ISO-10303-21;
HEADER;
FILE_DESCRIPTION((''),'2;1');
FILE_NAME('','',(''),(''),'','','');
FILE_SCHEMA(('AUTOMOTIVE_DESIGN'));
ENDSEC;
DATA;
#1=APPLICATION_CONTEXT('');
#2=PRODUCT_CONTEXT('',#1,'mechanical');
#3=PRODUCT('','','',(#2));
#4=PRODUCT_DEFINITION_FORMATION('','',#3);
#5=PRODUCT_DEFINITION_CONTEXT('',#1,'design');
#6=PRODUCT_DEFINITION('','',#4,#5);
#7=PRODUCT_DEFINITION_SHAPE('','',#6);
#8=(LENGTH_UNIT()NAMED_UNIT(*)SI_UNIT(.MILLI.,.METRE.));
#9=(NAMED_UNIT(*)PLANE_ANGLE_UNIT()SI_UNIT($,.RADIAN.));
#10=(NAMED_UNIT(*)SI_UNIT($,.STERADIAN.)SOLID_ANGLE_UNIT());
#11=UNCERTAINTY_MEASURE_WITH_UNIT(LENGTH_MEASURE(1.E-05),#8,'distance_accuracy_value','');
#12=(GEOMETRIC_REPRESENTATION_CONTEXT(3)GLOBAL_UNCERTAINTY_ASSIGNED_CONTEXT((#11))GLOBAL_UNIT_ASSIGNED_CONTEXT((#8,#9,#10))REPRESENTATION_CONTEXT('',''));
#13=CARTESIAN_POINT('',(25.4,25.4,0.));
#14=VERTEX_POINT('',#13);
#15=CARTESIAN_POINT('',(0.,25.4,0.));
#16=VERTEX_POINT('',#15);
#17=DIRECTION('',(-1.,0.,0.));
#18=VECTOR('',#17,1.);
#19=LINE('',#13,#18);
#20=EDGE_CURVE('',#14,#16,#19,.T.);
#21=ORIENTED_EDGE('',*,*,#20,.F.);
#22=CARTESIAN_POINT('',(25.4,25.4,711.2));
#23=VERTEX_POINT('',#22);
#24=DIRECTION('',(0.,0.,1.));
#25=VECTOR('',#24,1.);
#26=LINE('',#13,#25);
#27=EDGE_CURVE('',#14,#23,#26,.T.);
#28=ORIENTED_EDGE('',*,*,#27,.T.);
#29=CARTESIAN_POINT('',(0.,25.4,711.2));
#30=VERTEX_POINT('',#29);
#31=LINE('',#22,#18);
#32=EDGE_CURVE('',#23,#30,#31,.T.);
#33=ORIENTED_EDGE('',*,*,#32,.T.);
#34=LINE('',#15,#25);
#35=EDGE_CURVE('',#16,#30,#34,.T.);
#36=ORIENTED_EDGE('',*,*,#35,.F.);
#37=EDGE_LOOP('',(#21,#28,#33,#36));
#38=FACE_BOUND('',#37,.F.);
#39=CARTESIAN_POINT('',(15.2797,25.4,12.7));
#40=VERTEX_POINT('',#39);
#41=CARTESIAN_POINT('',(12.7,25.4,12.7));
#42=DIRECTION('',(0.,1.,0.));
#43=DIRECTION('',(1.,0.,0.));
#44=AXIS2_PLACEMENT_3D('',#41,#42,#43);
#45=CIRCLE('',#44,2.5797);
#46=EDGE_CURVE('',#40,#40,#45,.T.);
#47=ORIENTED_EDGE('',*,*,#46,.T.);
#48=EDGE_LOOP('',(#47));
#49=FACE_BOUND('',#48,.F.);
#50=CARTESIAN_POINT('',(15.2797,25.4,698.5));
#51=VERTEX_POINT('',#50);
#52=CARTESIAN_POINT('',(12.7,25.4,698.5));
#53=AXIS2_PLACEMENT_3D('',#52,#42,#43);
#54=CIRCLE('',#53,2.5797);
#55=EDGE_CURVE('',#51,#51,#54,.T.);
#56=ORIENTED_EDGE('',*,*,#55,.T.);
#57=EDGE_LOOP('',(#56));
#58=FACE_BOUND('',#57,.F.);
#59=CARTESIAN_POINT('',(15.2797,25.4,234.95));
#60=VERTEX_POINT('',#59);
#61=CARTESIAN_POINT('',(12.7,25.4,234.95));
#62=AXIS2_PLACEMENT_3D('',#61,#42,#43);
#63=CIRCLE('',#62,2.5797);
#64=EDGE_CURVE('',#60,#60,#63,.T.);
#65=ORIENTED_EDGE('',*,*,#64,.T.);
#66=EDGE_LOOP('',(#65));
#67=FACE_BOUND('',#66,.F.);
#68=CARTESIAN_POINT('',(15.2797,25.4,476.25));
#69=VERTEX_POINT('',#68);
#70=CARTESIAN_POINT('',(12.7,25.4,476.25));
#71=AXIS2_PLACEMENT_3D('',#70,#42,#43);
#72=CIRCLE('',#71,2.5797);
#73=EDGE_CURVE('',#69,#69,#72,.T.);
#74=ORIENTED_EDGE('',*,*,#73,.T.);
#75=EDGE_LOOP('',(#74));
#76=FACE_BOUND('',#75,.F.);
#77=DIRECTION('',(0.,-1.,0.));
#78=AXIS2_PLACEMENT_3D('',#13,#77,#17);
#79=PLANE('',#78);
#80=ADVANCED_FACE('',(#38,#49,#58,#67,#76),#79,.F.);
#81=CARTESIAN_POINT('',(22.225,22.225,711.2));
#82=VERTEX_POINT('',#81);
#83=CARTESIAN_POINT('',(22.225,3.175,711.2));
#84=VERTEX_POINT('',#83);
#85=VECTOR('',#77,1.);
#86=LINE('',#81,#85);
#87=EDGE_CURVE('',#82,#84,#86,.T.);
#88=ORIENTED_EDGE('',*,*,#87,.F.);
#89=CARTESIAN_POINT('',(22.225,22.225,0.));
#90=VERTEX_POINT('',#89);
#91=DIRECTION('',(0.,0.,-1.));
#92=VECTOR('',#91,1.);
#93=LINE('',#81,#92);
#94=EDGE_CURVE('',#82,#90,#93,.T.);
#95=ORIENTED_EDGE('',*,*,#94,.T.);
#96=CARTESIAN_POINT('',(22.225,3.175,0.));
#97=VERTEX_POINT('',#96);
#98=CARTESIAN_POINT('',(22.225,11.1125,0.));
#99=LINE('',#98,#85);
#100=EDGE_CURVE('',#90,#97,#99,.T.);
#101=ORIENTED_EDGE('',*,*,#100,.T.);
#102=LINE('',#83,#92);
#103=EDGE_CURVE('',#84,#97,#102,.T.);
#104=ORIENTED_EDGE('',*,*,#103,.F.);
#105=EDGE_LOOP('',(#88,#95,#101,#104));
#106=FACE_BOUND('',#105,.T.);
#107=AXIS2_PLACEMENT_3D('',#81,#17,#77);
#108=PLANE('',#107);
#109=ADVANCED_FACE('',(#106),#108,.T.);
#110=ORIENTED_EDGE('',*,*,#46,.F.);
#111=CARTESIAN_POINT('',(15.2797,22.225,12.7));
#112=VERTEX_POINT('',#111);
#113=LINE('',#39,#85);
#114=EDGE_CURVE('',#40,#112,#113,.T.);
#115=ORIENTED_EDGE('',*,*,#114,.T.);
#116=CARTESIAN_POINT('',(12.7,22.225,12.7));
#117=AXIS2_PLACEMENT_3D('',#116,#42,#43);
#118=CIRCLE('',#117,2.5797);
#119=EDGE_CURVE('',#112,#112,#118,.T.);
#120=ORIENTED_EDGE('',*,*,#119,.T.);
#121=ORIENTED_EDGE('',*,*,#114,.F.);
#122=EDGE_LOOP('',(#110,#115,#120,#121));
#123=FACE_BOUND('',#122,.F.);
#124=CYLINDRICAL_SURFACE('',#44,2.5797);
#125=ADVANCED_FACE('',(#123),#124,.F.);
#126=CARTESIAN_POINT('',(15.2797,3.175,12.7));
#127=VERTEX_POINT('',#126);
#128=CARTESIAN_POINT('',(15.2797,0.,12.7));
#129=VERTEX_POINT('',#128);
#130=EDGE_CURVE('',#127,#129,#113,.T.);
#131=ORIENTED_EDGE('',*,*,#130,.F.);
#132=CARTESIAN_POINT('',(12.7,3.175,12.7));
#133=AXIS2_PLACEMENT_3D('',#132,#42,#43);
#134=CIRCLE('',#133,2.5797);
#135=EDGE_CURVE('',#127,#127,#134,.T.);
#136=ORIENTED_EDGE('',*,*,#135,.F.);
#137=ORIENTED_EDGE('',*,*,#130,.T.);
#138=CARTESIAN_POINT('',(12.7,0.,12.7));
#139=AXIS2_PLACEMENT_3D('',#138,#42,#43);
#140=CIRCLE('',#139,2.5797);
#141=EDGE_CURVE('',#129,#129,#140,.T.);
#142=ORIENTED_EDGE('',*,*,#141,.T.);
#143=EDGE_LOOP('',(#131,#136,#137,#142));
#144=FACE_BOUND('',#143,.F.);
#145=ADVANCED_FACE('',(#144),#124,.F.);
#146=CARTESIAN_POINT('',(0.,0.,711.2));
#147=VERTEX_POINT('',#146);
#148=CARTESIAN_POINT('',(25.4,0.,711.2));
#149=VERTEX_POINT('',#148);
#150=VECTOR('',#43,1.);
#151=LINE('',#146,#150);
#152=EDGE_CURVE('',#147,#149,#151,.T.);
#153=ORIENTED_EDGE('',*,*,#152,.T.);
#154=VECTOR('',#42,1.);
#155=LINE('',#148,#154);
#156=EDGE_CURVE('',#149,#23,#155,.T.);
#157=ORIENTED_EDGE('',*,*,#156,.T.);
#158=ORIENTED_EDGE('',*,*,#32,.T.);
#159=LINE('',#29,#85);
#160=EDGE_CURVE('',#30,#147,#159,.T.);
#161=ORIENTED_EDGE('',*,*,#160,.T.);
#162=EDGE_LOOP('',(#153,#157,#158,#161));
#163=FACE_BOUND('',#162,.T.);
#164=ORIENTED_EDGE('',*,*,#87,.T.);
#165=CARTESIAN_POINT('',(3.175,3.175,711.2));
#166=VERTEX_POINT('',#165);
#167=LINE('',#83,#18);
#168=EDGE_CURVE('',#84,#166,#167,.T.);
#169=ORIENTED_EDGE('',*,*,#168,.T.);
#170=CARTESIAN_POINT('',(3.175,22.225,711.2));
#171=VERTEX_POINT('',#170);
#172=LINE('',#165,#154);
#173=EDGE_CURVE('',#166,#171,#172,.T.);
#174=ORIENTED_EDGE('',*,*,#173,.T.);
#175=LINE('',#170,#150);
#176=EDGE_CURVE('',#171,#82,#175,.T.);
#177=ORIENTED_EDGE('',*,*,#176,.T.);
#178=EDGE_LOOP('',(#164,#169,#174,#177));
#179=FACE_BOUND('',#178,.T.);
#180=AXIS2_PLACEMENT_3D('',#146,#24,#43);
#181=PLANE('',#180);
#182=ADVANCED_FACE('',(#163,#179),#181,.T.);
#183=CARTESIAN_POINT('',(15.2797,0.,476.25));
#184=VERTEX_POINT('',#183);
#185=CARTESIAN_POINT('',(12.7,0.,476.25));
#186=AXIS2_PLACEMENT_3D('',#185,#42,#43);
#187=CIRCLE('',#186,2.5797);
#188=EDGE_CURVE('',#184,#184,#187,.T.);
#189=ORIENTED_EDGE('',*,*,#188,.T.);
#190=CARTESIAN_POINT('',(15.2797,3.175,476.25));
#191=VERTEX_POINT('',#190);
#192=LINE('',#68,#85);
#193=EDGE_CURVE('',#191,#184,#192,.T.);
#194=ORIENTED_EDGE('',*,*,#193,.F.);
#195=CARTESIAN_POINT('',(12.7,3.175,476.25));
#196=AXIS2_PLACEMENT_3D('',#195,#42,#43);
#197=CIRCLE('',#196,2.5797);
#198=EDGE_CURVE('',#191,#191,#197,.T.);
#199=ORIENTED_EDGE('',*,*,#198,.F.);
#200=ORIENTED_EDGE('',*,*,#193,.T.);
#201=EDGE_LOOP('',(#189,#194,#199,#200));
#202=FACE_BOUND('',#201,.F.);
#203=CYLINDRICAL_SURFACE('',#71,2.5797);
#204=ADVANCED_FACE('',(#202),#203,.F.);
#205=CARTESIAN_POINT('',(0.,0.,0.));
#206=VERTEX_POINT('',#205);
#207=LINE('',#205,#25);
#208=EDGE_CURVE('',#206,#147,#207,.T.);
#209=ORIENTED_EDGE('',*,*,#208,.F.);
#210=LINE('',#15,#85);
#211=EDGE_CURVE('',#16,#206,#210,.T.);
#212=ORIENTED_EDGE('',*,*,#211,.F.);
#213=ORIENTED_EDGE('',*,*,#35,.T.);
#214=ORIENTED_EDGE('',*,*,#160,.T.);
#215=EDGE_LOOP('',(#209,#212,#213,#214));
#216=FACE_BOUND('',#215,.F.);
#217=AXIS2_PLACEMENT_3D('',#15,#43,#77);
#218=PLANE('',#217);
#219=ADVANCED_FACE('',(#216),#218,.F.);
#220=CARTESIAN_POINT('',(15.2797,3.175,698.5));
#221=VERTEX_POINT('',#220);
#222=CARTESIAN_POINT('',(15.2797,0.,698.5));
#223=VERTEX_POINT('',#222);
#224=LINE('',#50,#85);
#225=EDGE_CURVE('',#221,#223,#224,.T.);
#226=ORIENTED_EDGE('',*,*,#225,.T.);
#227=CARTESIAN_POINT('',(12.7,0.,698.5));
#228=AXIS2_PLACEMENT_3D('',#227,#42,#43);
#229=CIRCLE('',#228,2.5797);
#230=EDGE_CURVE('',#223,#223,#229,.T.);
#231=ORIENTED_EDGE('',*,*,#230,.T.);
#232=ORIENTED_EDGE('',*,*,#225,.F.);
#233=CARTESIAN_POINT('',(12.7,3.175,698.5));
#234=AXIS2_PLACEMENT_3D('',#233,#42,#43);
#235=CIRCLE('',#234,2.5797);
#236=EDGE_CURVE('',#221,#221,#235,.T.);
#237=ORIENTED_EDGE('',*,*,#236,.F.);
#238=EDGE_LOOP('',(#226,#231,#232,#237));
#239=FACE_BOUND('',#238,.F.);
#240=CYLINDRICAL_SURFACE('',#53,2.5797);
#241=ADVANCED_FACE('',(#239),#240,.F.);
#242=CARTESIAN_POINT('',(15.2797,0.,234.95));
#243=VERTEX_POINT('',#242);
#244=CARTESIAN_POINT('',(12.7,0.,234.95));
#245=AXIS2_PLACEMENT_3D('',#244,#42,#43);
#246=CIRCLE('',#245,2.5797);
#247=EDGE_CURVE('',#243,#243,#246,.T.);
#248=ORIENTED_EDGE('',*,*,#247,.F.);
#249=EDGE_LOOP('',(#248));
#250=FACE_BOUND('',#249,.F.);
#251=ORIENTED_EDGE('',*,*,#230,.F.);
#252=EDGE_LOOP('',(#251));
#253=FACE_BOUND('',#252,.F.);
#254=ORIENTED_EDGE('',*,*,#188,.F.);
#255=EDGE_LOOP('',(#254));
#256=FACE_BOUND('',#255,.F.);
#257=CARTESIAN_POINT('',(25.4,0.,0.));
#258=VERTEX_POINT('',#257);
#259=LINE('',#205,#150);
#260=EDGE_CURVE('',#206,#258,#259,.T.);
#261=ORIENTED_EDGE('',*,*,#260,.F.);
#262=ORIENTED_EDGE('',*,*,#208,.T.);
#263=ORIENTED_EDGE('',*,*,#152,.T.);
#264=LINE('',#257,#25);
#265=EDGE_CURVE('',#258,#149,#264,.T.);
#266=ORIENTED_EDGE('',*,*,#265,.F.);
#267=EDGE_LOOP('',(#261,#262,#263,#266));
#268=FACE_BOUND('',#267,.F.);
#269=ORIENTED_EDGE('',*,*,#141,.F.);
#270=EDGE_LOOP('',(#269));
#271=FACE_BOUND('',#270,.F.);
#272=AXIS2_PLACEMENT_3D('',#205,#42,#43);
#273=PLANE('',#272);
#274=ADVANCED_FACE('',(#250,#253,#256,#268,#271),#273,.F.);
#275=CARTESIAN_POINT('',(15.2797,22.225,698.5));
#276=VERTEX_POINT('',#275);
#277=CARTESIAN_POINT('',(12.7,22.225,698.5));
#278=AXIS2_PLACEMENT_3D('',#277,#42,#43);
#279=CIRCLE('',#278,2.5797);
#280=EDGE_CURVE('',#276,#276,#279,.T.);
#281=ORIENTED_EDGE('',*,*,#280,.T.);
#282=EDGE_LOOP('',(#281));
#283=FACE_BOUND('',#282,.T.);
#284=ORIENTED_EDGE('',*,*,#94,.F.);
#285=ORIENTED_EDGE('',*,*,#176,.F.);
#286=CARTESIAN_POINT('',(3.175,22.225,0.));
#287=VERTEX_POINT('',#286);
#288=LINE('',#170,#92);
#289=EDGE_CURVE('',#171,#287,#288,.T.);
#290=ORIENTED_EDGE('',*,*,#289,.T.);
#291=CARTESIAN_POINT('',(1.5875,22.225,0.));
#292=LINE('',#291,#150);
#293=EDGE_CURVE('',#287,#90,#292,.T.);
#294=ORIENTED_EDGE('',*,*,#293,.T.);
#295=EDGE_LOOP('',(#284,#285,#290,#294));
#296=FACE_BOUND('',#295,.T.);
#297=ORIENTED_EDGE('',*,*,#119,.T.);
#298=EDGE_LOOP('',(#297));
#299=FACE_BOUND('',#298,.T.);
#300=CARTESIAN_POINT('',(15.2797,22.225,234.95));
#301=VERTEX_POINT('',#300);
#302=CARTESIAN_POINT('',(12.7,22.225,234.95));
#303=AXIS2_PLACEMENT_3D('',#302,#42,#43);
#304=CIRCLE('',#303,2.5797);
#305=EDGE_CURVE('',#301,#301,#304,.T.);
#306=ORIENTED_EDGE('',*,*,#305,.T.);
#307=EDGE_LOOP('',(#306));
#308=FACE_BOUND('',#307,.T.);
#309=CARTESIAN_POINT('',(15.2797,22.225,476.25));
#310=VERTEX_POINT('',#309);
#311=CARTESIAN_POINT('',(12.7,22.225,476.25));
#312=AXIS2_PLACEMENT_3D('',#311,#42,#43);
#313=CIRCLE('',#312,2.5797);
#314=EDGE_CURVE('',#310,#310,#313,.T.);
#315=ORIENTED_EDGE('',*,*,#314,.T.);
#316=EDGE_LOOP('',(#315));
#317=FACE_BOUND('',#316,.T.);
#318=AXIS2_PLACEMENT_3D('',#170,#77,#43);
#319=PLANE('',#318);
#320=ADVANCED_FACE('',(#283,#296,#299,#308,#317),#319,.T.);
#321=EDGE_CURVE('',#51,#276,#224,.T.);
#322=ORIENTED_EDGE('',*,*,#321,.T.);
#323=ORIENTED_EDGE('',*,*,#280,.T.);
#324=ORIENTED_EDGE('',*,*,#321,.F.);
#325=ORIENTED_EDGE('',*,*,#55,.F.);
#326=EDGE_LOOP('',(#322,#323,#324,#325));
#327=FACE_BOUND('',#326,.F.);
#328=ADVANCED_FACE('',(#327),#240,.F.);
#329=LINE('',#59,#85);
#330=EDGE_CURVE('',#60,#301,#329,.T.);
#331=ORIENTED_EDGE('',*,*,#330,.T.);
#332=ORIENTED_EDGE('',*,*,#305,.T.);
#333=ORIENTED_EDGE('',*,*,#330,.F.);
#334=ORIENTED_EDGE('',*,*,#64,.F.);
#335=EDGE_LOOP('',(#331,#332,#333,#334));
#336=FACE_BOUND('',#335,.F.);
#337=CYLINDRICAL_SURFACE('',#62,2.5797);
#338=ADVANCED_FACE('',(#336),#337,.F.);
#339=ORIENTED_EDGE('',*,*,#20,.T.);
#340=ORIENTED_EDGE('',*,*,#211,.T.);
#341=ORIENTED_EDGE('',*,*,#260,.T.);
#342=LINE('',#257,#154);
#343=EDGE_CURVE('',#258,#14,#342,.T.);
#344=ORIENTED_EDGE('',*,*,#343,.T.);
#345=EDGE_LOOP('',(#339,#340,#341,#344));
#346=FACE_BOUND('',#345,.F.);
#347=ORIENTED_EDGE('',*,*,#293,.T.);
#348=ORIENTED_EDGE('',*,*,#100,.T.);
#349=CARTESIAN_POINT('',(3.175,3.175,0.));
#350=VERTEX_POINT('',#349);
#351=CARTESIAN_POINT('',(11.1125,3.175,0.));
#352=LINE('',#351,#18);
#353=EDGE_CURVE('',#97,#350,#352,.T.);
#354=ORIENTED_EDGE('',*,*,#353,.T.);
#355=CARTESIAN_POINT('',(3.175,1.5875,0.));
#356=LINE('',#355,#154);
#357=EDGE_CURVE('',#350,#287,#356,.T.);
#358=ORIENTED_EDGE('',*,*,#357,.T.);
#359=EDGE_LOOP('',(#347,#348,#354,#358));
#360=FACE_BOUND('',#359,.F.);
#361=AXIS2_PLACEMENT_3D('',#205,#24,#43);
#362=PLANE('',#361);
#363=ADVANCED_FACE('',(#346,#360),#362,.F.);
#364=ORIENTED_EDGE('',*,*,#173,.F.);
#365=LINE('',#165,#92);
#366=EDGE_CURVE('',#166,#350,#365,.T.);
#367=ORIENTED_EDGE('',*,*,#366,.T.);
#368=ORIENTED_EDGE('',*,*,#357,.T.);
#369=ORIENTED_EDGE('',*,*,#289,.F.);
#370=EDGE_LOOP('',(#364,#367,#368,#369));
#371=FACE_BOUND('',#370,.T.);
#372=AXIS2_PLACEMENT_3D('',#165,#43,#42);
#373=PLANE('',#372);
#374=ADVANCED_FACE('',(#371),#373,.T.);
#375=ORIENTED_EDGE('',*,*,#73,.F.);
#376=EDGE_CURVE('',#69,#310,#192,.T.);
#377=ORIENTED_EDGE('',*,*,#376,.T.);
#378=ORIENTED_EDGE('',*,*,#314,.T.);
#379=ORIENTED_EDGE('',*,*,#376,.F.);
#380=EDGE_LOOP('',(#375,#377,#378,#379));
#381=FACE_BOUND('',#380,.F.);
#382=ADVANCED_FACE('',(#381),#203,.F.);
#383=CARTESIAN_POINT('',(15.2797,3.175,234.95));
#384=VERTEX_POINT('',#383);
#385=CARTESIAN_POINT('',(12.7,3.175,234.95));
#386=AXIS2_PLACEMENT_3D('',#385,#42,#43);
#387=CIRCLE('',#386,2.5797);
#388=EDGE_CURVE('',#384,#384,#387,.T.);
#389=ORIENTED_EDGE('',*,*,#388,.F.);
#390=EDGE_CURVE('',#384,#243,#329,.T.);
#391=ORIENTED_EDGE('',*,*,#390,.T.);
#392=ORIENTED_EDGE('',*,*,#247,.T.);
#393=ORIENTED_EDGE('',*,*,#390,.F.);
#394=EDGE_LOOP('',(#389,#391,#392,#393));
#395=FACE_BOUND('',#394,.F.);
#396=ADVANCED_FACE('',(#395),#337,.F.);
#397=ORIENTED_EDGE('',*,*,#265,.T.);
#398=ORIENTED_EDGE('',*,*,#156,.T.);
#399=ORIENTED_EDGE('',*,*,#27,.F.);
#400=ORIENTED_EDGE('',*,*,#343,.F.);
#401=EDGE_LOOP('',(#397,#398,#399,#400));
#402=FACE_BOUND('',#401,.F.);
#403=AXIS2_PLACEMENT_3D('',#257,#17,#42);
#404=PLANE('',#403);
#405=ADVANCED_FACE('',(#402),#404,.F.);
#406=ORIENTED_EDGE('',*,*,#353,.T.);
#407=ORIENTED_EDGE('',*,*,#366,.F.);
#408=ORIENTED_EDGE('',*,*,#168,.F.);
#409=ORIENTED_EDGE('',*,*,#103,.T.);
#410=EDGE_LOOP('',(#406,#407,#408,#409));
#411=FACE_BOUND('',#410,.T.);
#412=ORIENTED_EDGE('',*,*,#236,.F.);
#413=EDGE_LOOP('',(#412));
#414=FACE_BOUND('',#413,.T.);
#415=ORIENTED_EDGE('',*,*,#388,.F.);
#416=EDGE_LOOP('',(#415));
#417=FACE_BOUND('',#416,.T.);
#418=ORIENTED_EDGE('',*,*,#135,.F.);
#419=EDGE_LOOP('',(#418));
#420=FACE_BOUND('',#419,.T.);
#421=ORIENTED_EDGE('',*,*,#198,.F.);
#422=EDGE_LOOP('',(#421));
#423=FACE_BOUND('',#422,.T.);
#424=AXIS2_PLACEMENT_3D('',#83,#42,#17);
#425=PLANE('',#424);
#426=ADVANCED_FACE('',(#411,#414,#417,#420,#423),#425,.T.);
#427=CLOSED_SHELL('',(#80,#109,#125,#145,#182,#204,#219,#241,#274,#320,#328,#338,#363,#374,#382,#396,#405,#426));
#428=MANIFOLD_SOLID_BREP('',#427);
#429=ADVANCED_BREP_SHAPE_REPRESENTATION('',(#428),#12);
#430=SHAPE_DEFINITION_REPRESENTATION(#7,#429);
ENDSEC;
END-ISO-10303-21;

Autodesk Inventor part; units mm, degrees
ref_plane "YZ Plane" through (0, 0, 0) normal (1, 0, 0) x (0, 1, 0)
ref_plane "XZ Plane" through (0, 0, 0) normal (0, 1, 0) x (-1, 0, 0)
ref_plane "XY Plane" through (0, 0, 0) normal (0, 0, 1) x (1, 0, 0)
sketch "Sketch1" plane through (0, 0, 0) normal (0, 0, 1) x (1, 0, 0)
  line L0 (0, 0) -> (25.4, 0)
  line L1 (25.4, 0) -> (25.4, 25.4)
  line L2 (25.4, 25.4) -> (0, 25.4)
  line L3 (0, 25.4) -> (0, 0)
  dimension "d0" = 25.4
  dimension "d1" = 25.4
extrude "Extrusion1" add sketch "Sketch1" along normal blind 711.2
sketch "Sketch2" plane through (0, 25.4, 0) normal (0, 1, 0) x (1, 0, 0)
  line L0 (0, -711.2) -> (25.4, -711.2) construction
  line L1 (12.7, -711.2) -> (12.7, -698.5) construction
  circle A0 centre (12.7, -698.5) radius 2.5797
  line L2 (12.7, -711.2) -> (12.7, -476.25) construction
  circle A1 centre (12.7, -476.25) radius 2.5797
  line L3 (0, 0) -> (0, -711.2) construction
  line L4 (0, -355.6) -> (25.4, -355.6) construction
  circle A2 centre (12.7, -12.7) radius 2.5797
  circle A3 centre (12.7, -234.95) radius 2.5797
  dimension "d4" = 12.7
  dimension "d5" = 5.1594
  dimension "d6" = 234.95
  dimension "d7" = 5.1594
extrude "Extrusion2" cut sketch "Sketch2" against normal blind 711.2
sketch "Sketch3" plane through (0, 0, 711.2) normal (0, 0, 1) x (1, 0, 0)
  line L0 (25.4, 25.4) -> (0, 25.4) projected
  line L1 (25.4, 0) -> (25.4, 25.4) projected
  line L2 (0, 25.4) -> (0, 0) projected
  line L3 (0, 0) -> (25.4, 0) projected
  line L4 (3.175, 22.225) -> (22.225, 22.225)
  line L5 (22.225, 22.225) -> (22.225, 3.175)
  line L6 (22.225, 3.175) -> (3.175, 3.175)
  line L7 (3.175, 3.175) -> (3.175, 22.225)
  dimension "d10" = 3.175
extrude "Extrusion3" cut sketch "Sketch3" against normal blind 762 contours L4 L5 L6 L7
properties part number "bumper runner"
